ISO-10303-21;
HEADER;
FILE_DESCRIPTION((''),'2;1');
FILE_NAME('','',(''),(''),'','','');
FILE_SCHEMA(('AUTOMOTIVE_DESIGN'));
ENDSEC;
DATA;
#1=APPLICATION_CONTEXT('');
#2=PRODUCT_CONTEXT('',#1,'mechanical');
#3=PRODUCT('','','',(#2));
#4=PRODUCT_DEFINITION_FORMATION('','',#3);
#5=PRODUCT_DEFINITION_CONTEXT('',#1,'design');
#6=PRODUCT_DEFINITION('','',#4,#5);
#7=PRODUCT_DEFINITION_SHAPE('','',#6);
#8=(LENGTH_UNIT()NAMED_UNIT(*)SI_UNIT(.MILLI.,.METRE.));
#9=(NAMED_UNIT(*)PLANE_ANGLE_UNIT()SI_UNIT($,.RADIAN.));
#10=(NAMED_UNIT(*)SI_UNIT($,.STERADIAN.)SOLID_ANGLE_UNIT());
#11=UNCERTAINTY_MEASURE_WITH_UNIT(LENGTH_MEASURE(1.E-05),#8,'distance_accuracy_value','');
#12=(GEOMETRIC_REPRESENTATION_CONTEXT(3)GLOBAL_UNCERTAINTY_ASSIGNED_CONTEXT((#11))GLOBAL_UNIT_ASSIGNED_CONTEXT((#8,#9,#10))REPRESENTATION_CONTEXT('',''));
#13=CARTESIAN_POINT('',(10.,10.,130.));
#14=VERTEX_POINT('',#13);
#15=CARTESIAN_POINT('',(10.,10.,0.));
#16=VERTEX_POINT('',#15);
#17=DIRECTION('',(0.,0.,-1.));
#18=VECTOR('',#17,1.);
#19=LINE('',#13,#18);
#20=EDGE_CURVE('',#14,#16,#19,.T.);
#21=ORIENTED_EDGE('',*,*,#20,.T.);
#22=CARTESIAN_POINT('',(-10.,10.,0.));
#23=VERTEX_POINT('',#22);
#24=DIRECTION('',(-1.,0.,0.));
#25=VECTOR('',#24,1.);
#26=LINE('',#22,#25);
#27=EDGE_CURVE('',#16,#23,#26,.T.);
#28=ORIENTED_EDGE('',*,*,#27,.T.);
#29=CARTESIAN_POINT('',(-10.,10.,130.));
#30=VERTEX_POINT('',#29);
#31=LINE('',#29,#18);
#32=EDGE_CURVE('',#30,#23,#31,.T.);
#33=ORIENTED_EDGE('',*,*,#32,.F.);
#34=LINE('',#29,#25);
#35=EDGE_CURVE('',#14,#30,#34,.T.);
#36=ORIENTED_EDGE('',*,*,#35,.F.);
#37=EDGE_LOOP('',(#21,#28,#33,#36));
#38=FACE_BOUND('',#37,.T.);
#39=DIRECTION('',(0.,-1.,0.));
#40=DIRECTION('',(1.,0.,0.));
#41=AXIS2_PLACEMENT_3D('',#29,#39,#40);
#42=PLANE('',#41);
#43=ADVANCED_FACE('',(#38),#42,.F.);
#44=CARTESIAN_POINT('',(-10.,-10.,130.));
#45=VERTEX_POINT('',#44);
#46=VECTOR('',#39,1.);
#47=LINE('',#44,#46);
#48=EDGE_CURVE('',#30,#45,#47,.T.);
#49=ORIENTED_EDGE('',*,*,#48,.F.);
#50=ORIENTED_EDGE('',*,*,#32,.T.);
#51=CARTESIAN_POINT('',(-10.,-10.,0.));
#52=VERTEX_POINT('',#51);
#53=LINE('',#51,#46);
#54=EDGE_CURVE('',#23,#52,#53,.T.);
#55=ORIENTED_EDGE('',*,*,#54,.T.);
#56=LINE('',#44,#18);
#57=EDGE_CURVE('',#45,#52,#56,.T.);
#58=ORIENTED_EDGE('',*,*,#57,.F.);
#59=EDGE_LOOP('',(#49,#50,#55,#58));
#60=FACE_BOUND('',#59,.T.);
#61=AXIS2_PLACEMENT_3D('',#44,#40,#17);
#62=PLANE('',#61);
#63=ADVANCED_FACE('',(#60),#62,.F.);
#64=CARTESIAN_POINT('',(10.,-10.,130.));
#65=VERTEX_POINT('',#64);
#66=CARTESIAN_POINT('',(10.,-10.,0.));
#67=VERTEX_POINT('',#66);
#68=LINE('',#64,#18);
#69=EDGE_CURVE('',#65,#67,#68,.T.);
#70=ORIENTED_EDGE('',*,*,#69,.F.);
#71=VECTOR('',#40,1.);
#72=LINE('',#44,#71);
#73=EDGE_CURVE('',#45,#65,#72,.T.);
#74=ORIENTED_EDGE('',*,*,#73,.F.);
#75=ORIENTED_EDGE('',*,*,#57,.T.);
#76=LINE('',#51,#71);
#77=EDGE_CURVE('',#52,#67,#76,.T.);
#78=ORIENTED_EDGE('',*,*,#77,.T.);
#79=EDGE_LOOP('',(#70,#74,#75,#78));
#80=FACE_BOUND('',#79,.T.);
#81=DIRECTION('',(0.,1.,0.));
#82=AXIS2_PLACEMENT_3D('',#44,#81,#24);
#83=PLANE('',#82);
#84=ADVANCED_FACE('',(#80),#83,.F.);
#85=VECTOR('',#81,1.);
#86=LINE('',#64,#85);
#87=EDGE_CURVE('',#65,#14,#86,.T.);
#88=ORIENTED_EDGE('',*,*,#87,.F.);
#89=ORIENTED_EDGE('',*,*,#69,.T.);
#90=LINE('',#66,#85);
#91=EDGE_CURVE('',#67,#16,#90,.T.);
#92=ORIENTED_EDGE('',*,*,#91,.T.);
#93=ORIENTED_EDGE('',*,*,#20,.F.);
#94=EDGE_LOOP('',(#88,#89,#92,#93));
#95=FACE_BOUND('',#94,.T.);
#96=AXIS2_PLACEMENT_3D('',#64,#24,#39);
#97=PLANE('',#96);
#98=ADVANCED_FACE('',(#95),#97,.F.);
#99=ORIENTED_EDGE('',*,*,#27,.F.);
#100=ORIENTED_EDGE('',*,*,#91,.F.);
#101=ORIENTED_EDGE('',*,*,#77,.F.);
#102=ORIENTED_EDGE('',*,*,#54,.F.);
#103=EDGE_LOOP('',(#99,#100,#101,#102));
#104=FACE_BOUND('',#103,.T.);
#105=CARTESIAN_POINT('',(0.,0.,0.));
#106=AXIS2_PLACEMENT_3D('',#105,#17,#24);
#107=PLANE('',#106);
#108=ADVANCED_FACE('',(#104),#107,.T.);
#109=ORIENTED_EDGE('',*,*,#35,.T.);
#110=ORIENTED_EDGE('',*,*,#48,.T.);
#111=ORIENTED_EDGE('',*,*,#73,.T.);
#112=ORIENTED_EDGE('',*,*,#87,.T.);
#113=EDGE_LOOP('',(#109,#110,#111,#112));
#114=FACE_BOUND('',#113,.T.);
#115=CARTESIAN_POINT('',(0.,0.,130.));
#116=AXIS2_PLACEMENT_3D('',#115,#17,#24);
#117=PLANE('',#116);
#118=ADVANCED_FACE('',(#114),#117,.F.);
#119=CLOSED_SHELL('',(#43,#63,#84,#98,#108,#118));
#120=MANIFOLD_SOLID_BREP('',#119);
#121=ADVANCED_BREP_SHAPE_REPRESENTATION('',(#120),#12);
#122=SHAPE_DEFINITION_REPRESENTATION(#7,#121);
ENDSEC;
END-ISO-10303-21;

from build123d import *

# Parameters (mm, degrees)
SKETCH_1_W      = 20
SKETCH_1_H      = 20
EXTRUDE_1_DEPTH = 130


with BuildPart() as part:
    # Эскиз1 → Бобышка-Вытянуть1 (new body)
    with BuildSketch(Plane.XY):
        Rectangle(SKETCH_1_W, SKETCH_1_H)
    extrude(amount=EXTRUDE_1_DEPTH)


solid = part.part
